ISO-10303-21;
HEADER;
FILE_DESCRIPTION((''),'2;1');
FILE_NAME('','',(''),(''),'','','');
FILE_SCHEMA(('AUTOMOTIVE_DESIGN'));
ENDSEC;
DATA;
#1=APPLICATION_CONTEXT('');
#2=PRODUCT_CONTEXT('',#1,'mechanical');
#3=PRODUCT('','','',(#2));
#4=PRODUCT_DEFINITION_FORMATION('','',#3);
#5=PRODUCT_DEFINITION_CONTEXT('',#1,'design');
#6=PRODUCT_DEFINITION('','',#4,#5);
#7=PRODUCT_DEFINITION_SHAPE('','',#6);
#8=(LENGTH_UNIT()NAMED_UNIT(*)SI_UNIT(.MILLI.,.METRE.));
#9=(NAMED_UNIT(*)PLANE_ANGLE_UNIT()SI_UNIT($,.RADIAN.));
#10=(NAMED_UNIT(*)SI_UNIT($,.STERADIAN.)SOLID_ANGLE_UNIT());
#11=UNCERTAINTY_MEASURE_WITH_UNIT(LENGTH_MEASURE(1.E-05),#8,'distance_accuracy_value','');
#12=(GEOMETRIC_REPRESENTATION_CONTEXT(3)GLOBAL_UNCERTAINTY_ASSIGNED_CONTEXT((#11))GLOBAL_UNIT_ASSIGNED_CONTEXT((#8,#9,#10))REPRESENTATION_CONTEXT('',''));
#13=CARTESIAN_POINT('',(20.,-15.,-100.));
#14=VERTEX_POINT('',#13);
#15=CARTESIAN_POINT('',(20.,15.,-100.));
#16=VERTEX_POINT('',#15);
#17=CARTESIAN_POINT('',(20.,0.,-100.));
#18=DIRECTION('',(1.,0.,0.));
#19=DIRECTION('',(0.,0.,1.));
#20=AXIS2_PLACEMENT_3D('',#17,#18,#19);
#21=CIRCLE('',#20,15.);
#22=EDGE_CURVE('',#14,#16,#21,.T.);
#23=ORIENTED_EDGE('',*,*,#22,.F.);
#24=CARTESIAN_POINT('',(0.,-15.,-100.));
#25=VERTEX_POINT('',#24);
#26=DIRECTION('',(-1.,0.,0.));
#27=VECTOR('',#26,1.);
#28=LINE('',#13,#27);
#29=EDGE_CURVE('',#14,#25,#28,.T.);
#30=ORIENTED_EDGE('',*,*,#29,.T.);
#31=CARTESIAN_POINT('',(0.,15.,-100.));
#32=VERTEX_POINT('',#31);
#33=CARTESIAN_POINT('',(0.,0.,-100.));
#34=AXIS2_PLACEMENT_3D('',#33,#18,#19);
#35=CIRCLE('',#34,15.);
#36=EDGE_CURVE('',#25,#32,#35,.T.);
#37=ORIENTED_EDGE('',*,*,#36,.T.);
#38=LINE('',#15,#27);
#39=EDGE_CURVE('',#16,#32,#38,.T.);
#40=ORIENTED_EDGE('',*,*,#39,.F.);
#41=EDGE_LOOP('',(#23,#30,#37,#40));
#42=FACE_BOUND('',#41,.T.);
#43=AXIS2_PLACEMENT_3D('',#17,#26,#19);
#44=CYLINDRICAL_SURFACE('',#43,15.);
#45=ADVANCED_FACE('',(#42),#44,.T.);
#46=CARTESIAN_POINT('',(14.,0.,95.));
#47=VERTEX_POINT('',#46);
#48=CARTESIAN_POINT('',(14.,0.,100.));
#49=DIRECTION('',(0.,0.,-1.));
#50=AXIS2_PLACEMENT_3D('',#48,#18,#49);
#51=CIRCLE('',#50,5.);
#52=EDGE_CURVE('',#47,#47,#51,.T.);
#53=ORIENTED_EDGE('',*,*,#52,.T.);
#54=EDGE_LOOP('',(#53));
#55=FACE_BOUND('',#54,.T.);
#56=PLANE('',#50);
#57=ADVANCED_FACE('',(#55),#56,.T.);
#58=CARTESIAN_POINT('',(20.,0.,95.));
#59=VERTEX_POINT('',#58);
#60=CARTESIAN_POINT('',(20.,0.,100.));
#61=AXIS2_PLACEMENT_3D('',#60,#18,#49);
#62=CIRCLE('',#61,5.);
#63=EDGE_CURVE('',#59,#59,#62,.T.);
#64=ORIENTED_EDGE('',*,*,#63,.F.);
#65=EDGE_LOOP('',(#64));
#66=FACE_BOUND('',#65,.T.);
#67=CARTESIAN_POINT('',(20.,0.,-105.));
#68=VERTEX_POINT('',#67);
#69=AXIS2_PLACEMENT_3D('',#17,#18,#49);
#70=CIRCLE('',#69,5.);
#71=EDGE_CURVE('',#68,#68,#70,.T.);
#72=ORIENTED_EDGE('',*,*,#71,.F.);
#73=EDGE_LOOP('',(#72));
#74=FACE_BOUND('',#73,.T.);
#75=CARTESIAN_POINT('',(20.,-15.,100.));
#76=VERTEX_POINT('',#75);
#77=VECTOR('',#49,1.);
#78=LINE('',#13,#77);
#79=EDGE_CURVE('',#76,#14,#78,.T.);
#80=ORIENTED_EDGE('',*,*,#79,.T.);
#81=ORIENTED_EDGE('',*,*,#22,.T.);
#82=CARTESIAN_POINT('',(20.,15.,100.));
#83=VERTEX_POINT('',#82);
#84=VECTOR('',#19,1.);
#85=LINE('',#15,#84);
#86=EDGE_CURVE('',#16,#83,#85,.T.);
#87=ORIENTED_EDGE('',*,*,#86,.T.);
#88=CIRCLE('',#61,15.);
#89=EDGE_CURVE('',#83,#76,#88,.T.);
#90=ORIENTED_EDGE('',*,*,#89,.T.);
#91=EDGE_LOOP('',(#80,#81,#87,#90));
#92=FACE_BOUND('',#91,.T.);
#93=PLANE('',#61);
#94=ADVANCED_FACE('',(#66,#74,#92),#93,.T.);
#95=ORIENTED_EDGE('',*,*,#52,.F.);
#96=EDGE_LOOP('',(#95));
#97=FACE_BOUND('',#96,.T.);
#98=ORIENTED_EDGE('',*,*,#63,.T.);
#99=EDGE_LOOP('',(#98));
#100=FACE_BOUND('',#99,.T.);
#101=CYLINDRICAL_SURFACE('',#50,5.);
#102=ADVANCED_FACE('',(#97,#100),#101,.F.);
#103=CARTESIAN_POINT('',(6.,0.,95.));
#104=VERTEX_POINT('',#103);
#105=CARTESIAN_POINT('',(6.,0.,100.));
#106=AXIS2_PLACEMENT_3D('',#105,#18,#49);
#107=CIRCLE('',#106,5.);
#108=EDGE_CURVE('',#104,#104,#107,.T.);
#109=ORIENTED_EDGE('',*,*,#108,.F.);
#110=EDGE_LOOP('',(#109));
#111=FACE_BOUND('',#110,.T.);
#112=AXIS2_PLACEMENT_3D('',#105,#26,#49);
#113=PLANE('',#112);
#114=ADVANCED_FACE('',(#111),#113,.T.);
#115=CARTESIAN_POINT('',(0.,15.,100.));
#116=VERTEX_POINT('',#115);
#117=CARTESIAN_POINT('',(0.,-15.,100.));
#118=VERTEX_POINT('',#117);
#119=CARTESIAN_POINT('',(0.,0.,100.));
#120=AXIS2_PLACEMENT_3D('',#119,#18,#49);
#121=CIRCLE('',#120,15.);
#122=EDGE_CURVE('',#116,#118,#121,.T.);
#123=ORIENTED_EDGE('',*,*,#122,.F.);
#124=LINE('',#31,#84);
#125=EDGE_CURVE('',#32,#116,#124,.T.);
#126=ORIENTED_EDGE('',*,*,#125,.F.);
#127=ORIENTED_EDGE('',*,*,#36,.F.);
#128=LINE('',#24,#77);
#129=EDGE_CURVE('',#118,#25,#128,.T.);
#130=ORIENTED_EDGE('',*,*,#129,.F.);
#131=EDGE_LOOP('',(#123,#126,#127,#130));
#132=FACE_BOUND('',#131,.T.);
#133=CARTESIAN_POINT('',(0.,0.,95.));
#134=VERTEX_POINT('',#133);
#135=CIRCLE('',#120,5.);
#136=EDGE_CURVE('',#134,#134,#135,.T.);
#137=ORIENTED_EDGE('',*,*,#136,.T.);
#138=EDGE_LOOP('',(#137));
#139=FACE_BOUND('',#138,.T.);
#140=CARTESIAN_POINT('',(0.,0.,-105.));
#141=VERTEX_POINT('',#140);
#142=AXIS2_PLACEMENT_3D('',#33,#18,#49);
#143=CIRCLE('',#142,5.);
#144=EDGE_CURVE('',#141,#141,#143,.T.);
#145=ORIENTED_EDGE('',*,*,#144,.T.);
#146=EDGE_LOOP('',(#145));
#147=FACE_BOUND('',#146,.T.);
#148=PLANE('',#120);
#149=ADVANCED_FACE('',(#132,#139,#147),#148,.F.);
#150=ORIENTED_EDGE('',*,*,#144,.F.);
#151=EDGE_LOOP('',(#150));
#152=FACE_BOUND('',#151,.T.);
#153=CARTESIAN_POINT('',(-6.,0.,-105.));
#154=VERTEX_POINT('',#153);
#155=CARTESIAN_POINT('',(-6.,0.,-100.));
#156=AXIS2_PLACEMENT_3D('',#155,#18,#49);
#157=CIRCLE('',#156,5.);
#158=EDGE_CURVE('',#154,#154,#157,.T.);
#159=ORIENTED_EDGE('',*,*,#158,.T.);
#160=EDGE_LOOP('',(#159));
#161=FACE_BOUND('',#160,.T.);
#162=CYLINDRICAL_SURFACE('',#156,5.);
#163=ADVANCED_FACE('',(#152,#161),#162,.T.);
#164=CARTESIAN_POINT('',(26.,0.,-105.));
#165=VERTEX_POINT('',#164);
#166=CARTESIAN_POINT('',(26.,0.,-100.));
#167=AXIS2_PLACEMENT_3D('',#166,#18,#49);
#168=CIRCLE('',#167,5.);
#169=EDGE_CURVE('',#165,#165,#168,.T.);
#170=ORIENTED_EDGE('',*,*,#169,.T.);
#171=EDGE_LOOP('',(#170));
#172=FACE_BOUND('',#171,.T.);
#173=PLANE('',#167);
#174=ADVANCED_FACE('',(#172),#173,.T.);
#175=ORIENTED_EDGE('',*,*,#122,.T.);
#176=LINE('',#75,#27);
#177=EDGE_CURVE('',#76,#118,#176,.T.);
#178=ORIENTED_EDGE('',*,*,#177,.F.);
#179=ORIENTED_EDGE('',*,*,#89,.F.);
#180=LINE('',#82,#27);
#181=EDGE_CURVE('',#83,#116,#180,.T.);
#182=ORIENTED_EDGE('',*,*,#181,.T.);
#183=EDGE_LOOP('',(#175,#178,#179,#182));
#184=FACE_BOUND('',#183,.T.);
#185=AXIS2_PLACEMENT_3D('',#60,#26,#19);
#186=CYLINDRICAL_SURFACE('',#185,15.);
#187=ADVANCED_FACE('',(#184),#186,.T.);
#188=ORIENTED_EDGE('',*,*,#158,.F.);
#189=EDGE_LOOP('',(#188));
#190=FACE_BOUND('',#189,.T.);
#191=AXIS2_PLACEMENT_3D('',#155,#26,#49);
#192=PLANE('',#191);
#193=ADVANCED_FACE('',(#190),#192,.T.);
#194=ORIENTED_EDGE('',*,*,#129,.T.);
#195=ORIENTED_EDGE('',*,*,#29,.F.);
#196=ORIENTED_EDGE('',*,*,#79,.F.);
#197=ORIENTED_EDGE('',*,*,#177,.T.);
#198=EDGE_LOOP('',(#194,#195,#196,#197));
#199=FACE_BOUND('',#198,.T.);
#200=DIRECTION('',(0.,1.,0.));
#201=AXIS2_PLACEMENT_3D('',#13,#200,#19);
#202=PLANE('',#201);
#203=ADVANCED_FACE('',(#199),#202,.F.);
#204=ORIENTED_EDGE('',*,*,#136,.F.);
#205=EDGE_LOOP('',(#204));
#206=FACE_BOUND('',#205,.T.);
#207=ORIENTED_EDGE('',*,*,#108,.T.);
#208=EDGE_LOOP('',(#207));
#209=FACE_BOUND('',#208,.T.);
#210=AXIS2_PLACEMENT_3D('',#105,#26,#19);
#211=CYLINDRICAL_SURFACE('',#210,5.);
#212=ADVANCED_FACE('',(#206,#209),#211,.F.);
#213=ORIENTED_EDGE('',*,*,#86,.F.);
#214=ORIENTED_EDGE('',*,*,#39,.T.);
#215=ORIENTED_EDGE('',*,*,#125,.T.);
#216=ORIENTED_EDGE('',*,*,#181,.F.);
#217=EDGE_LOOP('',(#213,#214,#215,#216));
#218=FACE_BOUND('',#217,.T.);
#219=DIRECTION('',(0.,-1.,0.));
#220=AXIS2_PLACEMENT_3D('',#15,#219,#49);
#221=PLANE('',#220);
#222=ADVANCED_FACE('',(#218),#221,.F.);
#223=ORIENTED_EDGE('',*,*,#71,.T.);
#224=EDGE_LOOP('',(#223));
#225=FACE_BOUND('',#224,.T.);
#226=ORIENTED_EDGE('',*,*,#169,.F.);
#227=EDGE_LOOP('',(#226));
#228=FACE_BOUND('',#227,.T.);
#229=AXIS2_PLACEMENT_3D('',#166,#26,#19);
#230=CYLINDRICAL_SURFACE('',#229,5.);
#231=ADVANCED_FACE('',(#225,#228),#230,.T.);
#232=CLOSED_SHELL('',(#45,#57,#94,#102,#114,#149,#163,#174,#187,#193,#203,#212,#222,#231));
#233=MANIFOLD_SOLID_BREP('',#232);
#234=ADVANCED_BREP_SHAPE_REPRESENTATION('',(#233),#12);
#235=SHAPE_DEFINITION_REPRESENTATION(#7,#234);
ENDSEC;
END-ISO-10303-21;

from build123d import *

# Parameters (mm, degrees)
BOSS_EXTRUDE2_DEPTH = 20
SKETCH4_R           = 5
BOSS_EXTRUDE3_DEPTH = 6
SKETCH5_R           = 5
CUT_EXTRUDE1_DEPTH  = 6


with BuildPart() as part:
    # Sketch3 → Boss-Extrude2 (new body)
    with BuildSketch(Plane(origin=(0, 0, 0), x_dir=(0, 0, -1), z_dir=(1, 0, 0))):
        with BuildLine():
            Line((100, -15), (-100, -15))
            ThreePointArc((-100, -15), (-115, 0), (-100, 15))
            Line((-100, 15), (100.0000001, 15))
            ThreePointArc((100.0000001, 15), (115.00000005, -5e-08), (100, -15))
        make_face()
    extrude(amount=BOSS_EXTRUDE2_DEPTH)

    # Sketch4 → Boss-Extrude3 (add)
    with BuildSketch(Plane(origin=(20, 0, 0), x_dir=(0, 0, -1), z_dir=(1, 0, 0))):
        with Locations((100.00000005, 0)):
            Circle(SKETCH4_R)
    boss_extrude3 = extrude(amount=BOSS_EXTRUDE3_DEPTH)

    # Sketch5 → Cut-Extrude1 (cut)
    with BuildSketch(Plane(origin=(20, 0, 0), x_dir=(0, 0, -1), z_dir=(1, 0, 0))):
        with Locations((-100, 0)):
            Circle(SKETCH5_R)
    cut_extrude1 = extrude(amount=-CUT_EXTRUDE1_DEPTH, mode=Mode.SUBTRACT)

    # Mirror1: Boss-Extrude3, Cut-Extrude1 across plane
    add(boss_extrude3.mirror(Plane(origin=(10, 0, 0), x_dir=(0, 0, 1), z_dir=(1, 0, 0))))
    add(cut_extrude1.mirror(Plane(origin=(10, 0, 0), x_dir=(0, 0, 1), z_dir=(1, 0, 0))), mode=Mode.SUBTRACT)


solid = part.part
